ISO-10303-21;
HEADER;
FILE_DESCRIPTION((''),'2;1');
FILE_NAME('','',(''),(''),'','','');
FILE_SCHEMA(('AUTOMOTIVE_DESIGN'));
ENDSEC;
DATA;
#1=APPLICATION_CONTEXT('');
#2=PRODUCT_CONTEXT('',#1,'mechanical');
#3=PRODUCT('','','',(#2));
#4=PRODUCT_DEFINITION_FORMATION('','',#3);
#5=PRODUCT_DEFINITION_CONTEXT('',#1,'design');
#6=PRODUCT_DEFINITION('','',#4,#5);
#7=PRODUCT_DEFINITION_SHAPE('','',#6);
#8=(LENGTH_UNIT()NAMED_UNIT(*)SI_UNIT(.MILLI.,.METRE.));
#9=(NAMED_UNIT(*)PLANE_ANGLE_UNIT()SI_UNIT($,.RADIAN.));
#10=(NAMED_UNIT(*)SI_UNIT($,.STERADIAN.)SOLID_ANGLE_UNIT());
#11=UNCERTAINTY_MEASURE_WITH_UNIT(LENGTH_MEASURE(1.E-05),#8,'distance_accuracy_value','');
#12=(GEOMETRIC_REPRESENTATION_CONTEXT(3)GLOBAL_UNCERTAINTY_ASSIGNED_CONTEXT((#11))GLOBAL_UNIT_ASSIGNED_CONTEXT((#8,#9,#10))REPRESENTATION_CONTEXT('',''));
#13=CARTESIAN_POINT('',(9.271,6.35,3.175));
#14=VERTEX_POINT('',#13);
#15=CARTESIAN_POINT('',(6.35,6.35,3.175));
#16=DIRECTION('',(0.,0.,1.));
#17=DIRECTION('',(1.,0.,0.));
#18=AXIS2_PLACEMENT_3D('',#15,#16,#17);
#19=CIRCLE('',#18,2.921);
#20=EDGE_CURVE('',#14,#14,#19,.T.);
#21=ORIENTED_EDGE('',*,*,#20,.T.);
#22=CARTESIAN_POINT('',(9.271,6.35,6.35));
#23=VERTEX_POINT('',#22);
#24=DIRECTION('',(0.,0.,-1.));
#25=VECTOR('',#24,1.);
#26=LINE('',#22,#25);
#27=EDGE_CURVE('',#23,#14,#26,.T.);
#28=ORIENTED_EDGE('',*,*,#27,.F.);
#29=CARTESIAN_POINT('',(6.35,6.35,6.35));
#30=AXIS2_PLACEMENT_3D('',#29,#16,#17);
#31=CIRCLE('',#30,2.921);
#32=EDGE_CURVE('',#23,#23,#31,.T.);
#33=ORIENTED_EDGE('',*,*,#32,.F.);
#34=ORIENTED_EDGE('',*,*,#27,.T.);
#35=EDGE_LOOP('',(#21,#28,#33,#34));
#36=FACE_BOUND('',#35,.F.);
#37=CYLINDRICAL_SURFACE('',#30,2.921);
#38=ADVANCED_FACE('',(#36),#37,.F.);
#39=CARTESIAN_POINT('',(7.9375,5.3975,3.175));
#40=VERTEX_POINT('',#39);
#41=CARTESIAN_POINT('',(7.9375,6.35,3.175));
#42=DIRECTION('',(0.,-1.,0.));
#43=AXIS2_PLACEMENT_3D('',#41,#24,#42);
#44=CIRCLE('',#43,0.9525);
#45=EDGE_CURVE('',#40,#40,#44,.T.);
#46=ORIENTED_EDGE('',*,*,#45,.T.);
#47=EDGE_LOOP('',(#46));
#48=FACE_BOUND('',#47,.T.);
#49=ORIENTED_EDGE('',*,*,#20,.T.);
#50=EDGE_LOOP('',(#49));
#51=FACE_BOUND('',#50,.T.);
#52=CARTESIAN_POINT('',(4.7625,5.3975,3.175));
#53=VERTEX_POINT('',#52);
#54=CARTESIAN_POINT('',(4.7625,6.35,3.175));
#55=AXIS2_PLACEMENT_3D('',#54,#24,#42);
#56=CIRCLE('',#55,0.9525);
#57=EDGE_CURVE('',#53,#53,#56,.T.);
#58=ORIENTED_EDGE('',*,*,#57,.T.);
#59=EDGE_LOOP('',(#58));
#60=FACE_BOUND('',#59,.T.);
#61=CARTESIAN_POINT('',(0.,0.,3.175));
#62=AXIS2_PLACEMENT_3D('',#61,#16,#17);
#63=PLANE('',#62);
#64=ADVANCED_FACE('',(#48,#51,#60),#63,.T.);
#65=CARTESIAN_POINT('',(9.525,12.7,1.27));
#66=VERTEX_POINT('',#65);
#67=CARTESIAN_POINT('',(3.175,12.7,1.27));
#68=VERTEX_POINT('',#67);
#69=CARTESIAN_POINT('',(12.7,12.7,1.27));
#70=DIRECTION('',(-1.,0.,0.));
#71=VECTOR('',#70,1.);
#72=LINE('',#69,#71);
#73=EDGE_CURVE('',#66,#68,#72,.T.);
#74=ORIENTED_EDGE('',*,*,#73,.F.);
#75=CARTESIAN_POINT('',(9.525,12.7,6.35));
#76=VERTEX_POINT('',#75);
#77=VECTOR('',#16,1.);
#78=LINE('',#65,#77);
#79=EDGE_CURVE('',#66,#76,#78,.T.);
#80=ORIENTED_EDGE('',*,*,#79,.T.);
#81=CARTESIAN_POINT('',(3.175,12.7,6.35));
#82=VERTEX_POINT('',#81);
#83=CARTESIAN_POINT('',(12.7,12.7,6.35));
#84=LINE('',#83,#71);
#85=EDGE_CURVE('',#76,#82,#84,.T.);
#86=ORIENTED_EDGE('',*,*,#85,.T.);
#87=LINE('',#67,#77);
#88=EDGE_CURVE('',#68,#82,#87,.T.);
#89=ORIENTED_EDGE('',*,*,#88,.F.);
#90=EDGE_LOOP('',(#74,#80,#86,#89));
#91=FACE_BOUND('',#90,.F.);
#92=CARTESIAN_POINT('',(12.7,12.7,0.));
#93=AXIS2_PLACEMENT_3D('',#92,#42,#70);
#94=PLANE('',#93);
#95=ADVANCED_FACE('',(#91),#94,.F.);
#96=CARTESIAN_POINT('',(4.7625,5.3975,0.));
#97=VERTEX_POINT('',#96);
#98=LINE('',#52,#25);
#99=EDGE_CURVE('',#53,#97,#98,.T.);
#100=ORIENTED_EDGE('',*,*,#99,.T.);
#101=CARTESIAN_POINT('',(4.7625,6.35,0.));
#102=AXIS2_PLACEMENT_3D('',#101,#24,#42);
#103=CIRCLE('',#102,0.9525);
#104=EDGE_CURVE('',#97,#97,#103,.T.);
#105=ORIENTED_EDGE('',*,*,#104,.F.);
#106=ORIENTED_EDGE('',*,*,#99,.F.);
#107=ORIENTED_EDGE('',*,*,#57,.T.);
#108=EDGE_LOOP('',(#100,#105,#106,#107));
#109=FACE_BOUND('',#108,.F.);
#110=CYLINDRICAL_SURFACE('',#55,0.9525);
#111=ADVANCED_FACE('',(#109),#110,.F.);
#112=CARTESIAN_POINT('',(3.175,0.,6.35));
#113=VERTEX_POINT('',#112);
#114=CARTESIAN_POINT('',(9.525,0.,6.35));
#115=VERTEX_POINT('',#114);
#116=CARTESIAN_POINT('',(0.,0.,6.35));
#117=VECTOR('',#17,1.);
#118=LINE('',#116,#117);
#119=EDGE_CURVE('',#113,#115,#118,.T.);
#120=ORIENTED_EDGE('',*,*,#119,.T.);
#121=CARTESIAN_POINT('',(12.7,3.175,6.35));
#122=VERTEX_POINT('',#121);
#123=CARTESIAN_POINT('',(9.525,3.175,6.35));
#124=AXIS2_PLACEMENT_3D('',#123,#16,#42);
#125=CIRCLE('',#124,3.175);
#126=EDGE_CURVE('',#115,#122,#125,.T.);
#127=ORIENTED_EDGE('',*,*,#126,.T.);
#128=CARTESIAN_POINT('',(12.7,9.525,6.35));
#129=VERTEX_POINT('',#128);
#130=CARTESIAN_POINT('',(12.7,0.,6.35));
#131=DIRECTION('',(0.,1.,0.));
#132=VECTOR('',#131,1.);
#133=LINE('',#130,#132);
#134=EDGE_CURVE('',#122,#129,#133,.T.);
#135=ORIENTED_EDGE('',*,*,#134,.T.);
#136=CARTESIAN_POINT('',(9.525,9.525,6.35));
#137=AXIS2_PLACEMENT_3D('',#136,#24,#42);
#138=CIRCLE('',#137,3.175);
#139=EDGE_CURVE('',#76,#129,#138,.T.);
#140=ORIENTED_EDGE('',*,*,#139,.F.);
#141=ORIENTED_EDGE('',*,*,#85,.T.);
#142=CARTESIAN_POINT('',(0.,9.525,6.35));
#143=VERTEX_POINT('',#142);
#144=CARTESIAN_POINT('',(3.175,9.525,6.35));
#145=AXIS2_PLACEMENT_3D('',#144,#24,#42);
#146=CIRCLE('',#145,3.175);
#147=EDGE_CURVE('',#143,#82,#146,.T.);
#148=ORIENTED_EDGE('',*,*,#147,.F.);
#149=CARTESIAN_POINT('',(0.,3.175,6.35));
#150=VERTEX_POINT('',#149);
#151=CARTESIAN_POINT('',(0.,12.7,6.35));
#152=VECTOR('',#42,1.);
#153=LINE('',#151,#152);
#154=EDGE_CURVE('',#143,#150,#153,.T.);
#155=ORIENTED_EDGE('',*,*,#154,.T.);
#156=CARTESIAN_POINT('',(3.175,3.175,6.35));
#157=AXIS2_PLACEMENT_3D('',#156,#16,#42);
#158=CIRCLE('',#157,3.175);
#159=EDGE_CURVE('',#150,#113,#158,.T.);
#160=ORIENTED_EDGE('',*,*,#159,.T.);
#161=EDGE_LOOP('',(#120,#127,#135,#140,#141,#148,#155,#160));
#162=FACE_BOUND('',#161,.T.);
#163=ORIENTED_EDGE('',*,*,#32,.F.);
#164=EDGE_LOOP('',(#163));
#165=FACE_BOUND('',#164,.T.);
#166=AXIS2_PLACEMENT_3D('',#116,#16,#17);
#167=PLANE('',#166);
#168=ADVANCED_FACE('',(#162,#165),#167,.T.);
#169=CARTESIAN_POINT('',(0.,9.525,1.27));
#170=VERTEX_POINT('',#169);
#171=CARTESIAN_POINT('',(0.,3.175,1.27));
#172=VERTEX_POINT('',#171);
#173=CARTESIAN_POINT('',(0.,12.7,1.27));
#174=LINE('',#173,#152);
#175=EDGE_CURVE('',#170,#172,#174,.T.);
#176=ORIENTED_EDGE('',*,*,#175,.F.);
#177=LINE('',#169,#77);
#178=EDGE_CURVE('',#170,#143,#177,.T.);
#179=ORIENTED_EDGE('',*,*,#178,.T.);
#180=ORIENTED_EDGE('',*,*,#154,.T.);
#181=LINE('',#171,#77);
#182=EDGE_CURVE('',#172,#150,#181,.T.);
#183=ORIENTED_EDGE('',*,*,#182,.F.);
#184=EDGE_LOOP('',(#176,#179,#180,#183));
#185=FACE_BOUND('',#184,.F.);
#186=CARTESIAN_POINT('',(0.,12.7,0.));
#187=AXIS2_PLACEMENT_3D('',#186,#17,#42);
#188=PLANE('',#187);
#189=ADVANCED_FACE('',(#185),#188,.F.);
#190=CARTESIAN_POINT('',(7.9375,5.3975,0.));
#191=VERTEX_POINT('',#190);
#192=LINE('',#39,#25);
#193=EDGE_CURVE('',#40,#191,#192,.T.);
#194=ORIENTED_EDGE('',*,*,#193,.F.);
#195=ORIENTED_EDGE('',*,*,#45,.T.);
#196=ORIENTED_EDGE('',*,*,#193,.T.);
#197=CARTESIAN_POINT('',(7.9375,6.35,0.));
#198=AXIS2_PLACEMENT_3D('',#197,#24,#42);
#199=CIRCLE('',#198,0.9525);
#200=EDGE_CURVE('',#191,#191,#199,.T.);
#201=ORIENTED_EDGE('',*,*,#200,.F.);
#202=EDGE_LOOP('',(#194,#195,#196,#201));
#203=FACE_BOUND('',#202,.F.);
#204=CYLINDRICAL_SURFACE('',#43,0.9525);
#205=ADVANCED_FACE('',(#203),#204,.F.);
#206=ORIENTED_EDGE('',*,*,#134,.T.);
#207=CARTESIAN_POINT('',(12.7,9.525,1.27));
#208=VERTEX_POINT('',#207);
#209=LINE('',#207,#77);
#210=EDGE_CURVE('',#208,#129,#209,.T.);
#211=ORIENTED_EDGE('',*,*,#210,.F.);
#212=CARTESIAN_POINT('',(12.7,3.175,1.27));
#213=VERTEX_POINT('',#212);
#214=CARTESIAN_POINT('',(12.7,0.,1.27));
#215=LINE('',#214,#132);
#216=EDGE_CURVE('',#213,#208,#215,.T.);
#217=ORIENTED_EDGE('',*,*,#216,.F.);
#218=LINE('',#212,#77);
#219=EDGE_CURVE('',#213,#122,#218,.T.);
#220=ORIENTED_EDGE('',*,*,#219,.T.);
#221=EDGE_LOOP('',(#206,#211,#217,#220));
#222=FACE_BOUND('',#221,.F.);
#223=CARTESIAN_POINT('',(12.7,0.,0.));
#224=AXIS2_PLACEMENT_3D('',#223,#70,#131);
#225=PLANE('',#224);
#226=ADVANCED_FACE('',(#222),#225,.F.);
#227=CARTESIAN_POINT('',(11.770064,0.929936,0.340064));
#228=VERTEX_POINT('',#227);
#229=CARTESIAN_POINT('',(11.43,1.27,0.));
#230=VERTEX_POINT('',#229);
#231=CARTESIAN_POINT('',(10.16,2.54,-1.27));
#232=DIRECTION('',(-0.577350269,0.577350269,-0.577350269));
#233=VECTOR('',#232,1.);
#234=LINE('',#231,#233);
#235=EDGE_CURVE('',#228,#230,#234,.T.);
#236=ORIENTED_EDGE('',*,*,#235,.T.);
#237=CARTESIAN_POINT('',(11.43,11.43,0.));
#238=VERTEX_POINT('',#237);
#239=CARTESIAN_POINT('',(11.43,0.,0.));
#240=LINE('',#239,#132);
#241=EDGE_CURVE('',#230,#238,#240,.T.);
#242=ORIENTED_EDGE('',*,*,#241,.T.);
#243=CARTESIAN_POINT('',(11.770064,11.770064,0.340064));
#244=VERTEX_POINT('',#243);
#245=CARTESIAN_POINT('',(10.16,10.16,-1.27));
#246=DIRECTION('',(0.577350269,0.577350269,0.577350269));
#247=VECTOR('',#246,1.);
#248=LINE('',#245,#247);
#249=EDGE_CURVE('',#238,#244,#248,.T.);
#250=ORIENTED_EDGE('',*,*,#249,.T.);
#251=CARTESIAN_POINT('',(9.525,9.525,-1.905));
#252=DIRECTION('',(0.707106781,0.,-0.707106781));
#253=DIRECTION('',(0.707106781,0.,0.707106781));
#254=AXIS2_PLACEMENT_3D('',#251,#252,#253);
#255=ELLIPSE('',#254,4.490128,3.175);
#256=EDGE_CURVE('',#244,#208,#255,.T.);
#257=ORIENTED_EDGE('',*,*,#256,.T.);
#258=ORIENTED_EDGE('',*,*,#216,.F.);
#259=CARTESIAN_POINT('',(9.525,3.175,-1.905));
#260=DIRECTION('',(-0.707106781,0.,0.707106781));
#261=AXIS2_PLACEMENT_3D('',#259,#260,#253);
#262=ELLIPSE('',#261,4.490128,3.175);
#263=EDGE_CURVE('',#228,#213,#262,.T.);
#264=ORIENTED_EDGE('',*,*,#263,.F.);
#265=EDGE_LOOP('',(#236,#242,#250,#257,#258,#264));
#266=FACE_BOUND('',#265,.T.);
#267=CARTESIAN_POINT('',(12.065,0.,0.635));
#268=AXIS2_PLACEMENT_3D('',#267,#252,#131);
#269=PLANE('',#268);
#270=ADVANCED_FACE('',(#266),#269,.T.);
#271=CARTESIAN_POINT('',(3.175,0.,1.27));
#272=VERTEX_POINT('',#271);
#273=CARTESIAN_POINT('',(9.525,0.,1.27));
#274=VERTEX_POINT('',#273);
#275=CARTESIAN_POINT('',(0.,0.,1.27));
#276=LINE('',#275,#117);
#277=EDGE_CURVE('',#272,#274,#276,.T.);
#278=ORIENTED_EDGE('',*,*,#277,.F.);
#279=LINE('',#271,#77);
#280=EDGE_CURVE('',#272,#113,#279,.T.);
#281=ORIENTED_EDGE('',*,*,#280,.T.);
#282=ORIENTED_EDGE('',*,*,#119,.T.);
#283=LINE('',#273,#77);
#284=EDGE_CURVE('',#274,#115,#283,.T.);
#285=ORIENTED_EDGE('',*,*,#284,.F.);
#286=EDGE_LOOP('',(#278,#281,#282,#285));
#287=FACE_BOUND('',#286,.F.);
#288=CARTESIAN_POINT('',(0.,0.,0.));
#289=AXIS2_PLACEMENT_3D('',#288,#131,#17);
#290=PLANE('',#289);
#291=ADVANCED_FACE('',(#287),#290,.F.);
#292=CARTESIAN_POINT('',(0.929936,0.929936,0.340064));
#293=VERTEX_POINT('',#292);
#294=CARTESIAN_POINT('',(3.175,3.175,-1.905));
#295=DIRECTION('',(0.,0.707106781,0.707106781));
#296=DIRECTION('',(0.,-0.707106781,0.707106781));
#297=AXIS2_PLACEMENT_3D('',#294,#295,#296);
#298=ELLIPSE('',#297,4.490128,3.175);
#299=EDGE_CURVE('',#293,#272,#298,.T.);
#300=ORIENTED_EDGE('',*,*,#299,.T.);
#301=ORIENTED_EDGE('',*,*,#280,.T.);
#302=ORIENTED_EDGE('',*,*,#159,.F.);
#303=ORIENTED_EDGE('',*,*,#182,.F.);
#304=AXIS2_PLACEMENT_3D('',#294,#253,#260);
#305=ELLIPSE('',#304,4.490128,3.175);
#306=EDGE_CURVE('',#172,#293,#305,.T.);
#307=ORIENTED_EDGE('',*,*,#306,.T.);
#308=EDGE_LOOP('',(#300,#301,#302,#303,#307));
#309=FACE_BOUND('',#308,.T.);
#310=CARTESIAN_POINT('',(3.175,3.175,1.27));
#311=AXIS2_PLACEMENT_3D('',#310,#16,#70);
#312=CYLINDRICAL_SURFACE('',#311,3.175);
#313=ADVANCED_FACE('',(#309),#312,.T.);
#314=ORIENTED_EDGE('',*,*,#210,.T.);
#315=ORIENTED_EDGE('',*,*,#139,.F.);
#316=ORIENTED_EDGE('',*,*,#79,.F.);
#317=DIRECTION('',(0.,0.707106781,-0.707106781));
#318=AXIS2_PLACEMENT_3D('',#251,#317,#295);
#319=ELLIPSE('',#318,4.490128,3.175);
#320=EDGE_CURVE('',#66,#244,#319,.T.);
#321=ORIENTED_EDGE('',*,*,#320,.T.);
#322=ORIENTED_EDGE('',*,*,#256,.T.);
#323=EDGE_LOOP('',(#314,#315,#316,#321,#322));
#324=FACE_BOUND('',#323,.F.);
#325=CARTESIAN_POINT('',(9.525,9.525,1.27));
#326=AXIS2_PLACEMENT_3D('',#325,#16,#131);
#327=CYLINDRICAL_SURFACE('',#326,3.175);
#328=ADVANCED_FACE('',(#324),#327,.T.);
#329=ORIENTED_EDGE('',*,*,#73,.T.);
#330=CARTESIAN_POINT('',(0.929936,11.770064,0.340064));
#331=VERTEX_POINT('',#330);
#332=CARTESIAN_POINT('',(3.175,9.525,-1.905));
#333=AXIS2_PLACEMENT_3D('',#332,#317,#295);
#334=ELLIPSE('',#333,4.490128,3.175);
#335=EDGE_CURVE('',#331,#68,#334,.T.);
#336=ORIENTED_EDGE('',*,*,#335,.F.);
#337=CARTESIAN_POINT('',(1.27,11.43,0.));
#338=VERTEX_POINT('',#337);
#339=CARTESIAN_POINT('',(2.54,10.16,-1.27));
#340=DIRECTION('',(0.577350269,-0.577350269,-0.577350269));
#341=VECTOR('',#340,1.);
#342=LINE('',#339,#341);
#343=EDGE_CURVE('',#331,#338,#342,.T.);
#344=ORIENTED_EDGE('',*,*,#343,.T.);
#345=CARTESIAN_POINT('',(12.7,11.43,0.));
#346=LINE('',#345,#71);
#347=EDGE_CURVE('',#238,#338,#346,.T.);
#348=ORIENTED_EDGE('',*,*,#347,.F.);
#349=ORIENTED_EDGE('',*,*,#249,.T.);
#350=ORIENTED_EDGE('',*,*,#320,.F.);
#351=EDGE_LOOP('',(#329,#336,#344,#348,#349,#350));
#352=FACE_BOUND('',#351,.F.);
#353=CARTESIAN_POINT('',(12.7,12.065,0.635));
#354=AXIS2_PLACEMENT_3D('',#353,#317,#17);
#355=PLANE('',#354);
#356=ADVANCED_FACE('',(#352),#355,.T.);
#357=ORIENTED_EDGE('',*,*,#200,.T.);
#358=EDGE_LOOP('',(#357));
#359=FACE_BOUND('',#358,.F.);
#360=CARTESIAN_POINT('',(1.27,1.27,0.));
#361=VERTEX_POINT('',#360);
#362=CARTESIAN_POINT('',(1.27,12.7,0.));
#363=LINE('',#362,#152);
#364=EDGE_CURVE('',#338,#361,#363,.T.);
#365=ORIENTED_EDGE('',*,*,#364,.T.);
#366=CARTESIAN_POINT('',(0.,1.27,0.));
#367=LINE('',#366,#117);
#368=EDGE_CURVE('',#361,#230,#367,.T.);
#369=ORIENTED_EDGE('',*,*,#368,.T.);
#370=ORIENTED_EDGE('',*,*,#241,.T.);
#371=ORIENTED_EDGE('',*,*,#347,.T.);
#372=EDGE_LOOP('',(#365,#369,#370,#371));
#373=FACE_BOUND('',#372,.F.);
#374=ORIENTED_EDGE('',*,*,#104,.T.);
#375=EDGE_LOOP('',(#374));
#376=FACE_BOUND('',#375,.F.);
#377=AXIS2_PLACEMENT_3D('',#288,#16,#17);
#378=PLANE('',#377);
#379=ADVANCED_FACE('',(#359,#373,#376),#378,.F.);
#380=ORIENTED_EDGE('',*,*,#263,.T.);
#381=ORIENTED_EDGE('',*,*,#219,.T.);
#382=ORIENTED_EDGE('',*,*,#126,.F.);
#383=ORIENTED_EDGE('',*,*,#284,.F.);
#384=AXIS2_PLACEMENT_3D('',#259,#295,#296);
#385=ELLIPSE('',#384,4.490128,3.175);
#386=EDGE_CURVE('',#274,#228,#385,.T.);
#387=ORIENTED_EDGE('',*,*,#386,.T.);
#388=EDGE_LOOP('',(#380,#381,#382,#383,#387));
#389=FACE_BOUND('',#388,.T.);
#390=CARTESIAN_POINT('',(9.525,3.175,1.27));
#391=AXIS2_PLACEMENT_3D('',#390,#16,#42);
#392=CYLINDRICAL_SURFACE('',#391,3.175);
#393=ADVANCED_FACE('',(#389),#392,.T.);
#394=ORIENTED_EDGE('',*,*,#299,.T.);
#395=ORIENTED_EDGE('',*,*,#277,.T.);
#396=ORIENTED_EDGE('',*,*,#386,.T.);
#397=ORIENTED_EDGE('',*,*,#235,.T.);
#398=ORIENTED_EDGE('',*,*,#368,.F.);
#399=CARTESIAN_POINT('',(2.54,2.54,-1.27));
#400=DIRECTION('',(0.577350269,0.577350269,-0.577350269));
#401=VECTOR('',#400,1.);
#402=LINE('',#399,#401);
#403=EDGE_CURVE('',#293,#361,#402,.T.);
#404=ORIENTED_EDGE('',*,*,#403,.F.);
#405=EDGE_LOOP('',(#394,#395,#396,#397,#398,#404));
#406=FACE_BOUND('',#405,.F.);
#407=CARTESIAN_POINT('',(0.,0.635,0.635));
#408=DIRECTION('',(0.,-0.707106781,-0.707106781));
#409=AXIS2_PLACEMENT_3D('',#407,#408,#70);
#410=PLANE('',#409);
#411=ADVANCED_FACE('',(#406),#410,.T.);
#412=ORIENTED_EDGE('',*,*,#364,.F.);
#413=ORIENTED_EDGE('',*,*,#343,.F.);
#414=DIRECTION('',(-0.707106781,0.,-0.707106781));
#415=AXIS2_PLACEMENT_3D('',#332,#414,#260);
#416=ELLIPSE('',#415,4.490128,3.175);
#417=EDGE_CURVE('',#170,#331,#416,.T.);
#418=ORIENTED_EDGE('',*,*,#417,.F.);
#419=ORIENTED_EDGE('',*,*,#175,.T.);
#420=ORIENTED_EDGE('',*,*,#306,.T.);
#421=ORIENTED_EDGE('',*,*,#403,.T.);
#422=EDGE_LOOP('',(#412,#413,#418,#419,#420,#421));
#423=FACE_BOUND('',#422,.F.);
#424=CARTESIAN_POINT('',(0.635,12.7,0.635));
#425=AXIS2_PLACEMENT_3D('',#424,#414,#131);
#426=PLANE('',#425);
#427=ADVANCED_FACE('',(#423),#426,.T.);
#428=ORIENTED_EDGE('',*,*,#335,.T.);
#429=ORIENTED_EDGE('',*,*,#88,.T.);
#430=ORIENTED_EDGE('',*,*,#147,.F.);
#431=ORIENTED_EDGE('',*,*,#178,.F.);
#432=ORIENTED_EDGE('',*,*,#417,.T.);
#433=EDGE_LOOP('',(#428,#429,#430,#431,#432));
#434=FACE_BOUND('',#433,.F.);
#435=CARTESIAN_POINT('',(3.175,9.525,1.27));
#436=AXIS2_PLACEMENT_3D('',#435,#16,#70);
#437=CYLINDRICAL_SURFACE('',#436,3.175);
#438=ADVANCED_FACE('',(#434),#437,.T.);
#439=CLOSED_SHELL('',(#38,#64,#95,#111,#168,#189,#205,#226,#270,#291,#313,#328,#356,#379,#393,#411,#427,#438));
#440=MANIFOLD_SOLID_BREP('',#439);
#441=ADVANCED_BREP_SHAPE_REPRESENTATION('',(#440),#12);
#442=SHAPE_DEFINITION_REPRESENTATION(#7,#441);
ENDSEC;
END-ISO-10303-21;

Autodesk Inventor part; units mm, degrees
ref_plane "YZ Plane" through (0, 0, 0) normal (1, 0, 0) x (0, 1, 0)
ref_plane "XZ Plane" through (0, 0, 0) normal (0, 1, 0) x (-1, 0, 0)
ref_plane "XY Plane" through (0, 0, 0) normal (0, 0, 1) x (1, 0, 0)
sketch "Sketch1" plane through (0, 0, 0) normal (0, 0, 1) x (1, 0, 0)
  line L0 (0, 0) -> (12.7, 0)
  line L1 (12.7, 0) -> (12.7, 12.7)
  line L2 (12.7, 12.7) -> (0, 12.7)
  line L3 (0, 12.7) -> (0, 0)
  dimension "d0" = 12.7
  dimension "d1" = 12.7
extrude "Extrusion1" add sketch "Sketch1" along normal blind 6.35
sketch "Sketch2" plane through (0, 0, 6.35) normal (0, 0, 1) x (1, 0, 0)
  line L0 (12.7, 12.7) -> (0, 12.7) construction
  line L1 (0, 0) -> (12.7, 0) construction
  line L2 (0, 12.7) -> (12.7, 0) construction
  line L3 (0, 0) -> (12.7, 12.7) construction
  circle A0 centre (6.35, 6.35) radius 2.921
  dimension "d4" = 5.842
extrude "Extrusion2" cut sketch "Sketch2" against normal blind 3.175
sketch "Sketch3" plane through (6.35, 6.35, 3.175) normal (0, 0, 1) x (1, 0, 0)
  circle A0 centre (0, 0) radius 2.921 construction
  line L0 (-6.35, 0) -> (6.35, 0) construction
  line L1 (-6.35, 6.35) -> (-6.35, -6.35) construction
  line L2 (6.35, -6.35) -> (6.35, 6.35) construction
  circle A1 centre (-1.5875, 0) radius 0.635 construction
  circle A2 centre (1.5875, 0) radius 0.635 construction
  line L3 (-0.9525, 6.35) -> (-0.9525, -6.35) construction
  line L4 (0.9525, -6.35) -> (0.9525, 6.35) construction
  point P0 (1.5875, 0)
  dimension "d7" = 1.27
  dimension "d8" = 1.27
  dimension "d9" = 1.5875
  dimension "d10" = 1.5875
  dimension "d11" = 1.905
  dimension "d26" = 3.175
hole "Hole1" at (4.7625, 6.35, 3.175) at (7.9375, 6.35, 3.175) direction (0, 0, -1) diameter 1.905 end through all
chamfer "Chamfer2" distance 1.27 angle 45 4 edges at (6.35, 0, 0) (12.7, 6.35, 0) (6.35, 12.7, 0) (0, 6.35, 0)
fillet "Fillet1" radius 3.175 4 edges at (12.7, 0, 3.81) (12.7, 12.7, 3.81) (0, 12.7, 3.81) (0, 0, 3.81)
equation "\"d10\" = d9"
properties part number "testled"
